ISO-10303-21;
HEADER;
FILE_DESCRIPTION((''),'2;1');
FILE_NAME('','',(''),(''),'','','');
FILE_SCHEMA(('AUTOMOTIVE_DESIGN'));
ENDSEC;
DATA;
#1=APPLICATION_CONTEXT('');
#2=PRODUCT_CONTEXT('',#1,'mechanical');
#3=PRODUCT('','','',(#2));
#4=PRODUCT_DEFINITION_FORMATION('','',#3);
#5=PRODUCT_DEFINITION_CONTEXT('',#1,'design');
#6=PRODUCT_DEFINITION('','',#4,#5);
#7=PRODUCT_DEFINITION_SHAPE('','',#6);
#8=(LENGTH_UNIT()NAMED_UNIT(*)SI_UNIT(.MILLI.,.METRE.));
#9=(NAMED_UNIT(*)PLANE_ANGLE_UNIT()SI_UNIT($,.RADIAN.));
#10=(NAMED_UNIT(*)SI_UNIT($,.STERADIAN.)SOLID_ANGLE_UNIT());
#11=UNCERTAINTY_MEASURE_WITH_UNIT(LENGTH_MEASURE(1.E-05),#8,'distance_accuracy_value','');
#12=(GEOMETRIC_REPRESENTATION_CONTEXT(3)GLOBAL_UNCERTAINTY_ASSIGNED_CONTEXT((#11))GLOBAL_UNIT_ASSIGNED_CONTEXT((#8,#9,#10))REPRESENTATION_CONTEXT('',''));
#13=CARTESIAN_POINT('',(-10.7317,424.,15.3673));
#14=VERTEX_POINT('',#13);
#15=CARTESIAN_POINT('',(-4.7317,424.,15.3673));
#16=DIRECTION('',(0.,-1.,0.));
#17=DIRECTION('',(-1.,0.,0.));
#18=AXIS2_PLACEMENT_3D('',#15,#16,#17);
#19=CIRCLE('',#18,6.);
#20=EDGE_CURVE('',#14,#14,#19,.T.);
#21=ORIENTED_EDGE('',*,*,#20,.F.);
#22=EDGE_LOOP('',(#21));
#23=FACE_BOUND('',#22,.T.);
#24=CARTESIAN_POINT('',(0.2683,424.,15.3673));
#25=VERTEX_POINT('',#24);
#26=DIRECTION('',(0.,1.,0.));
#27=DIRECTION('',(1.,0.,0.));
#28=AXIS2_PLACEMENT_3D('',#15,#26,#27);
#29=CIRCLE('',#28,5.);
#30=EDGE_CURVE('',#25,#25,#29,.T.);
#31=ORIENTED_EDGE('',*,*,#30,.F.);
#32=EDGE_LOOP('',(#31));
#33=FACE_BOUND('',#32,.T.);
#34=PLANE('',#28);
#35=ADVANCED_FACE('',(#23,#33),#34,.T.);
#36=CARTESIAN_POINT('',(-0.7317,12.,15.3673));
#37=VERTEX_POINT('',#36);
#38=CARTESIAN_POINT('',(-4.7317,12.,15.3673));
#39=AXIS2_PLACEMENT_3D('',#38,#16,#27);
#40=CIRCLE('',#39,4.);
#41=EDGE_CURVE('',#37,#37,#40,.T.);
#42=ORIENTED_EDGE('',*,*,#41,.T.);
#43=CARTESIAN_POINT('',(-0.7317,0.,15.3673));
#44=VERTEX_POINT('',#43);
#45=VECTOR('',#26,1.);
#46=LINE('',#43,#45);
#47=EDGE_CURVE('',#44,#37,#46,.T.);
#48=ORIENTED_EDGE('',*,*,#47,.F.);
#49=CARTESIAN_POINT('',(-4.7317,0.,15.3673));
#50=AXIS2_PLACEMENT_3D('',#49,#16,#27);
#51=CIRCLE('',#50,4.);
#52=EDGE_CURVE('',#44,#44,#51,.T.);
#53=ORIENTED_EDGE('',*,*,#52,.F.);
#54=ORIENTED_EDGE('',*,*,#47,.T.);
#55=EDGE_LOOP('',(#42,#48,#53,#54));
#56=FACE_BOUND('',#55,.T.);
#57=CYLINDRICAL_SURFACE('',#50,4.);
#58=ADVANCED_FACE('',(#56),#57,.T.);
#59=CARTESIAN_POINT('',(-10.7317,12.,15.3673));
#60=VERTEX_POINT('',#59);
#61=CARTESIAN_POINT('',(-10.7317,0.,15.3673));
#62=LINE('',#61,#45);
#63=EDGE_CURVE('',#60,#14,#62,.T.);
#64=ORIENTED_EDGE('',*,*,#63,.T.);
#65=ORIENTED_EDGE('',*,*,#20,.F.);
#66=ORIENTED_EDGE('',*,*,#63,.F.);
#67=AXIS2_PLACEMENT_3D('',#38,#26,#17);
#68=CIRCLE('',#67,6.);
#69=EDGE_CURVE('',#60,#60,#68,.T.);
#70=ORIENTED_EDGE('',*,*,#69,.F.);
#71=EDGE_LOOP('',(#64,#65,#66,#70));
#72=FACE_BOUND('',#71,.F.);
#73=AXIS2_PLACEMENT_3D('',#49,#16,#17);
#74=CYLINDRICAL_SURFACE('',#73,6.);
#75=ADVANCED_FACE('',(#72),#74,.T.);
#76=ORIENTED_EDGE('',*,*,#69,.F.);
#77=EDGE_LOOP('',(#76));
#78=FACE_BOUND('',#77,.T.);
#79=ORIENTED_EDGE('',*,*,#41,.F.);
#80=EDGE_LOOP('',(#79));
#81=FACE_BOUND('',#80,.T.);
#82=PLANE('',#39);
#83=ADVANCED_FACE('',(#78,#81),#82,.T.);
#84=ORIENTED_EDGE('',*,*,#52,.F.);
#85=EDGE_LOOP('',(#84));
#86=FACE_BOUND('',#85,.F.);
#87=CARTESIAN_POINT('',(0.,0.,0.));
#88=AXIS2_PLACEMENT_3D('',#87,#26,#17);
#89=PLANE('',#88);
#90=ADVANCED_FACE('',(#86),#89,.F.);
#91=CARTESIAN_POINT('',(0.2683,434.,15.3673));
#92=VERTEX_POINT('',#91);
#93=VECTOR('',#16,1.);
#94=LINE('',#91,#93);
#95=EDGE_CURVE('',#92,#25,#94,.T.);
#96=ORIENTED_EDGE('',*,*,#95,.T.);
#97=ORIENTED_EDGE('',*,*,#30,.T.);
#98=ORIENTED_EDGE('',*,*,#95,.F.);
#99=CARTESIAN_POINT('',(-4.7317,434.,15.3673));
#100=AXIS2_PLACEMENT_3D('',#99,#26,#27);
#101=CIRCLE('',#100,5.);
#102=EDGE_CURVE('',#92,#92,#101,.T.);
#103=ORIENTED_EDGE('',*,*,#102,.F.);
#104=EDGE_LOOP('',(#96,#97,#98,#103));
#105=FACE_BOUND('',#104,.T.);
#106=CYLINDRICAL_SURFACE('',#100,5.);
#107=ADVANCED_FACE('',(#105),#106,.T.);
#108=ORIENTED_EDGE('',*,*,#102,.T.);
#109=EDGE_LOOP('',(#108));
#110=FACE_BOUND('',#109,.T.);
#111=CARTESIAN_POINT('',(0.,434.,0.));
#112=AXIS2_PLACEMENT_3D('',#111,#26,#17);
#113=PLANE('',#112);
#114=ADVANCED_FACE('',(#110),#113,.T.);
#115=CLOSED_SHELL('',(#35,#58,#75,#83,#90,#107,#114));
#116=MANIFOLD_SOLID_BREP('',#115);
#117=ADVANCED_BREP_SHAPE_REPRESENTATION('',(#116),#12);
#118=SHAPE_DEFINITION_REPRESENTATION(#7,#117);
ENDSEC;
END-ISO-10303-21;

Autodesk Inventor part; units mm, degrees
ref_plane "YZ Plane" through (0, 0, 0) normal (1, 0, 0) x (0, 1, 0)
ref_plane "XZ Plane" through (0, 0, 0) normal (0, 1, 0) x (-1, 0, 0)
ref_plane "XY Plane" through (0, 0, 0) normal (0, 0, 1) x (1, 0, 0)
sketch "Boceto1" plane through (0, 0, 0) normal (0, 1, 0) x (-1, 0, 0)
  circle A0 centre (4.7317, 15.3673) radius 6
  point P0 (0, 0)
  dimension "d0" = 12
extrude "Extrusión1" add sketch "Boceto1" along normal blind 434
thread "Rosca1" size "M12x1.5" class "6g" standard "ANSI Metric M Profile" length 430
sketch "Sketch2" plane through (-4.7317, 0, 15.3673) normal (0, -1, 0) x (1, 0, 0)
  circle A0 centre (0, 0) radius 4
  circle A1 centre (0, 0) radius 6
  dimension "d5" = 8
extrude "Extrusion2" cut sketch "Sketch2" against normal blind 12
sketch "Sketch3" plane through (-4.7317, 434, 15.3673) normal (0, 1, 0) x (1, 0, 0)
  circle A0 centre (0, 0) radius 5
  circle A1 centre (0, 0) radius 6
  dimension "d8" = 10
extrude "Extrusion3" cut sketch "Sketch3" against normal blind 10
properties part number "Tornillo de mesa" material "Steel"
